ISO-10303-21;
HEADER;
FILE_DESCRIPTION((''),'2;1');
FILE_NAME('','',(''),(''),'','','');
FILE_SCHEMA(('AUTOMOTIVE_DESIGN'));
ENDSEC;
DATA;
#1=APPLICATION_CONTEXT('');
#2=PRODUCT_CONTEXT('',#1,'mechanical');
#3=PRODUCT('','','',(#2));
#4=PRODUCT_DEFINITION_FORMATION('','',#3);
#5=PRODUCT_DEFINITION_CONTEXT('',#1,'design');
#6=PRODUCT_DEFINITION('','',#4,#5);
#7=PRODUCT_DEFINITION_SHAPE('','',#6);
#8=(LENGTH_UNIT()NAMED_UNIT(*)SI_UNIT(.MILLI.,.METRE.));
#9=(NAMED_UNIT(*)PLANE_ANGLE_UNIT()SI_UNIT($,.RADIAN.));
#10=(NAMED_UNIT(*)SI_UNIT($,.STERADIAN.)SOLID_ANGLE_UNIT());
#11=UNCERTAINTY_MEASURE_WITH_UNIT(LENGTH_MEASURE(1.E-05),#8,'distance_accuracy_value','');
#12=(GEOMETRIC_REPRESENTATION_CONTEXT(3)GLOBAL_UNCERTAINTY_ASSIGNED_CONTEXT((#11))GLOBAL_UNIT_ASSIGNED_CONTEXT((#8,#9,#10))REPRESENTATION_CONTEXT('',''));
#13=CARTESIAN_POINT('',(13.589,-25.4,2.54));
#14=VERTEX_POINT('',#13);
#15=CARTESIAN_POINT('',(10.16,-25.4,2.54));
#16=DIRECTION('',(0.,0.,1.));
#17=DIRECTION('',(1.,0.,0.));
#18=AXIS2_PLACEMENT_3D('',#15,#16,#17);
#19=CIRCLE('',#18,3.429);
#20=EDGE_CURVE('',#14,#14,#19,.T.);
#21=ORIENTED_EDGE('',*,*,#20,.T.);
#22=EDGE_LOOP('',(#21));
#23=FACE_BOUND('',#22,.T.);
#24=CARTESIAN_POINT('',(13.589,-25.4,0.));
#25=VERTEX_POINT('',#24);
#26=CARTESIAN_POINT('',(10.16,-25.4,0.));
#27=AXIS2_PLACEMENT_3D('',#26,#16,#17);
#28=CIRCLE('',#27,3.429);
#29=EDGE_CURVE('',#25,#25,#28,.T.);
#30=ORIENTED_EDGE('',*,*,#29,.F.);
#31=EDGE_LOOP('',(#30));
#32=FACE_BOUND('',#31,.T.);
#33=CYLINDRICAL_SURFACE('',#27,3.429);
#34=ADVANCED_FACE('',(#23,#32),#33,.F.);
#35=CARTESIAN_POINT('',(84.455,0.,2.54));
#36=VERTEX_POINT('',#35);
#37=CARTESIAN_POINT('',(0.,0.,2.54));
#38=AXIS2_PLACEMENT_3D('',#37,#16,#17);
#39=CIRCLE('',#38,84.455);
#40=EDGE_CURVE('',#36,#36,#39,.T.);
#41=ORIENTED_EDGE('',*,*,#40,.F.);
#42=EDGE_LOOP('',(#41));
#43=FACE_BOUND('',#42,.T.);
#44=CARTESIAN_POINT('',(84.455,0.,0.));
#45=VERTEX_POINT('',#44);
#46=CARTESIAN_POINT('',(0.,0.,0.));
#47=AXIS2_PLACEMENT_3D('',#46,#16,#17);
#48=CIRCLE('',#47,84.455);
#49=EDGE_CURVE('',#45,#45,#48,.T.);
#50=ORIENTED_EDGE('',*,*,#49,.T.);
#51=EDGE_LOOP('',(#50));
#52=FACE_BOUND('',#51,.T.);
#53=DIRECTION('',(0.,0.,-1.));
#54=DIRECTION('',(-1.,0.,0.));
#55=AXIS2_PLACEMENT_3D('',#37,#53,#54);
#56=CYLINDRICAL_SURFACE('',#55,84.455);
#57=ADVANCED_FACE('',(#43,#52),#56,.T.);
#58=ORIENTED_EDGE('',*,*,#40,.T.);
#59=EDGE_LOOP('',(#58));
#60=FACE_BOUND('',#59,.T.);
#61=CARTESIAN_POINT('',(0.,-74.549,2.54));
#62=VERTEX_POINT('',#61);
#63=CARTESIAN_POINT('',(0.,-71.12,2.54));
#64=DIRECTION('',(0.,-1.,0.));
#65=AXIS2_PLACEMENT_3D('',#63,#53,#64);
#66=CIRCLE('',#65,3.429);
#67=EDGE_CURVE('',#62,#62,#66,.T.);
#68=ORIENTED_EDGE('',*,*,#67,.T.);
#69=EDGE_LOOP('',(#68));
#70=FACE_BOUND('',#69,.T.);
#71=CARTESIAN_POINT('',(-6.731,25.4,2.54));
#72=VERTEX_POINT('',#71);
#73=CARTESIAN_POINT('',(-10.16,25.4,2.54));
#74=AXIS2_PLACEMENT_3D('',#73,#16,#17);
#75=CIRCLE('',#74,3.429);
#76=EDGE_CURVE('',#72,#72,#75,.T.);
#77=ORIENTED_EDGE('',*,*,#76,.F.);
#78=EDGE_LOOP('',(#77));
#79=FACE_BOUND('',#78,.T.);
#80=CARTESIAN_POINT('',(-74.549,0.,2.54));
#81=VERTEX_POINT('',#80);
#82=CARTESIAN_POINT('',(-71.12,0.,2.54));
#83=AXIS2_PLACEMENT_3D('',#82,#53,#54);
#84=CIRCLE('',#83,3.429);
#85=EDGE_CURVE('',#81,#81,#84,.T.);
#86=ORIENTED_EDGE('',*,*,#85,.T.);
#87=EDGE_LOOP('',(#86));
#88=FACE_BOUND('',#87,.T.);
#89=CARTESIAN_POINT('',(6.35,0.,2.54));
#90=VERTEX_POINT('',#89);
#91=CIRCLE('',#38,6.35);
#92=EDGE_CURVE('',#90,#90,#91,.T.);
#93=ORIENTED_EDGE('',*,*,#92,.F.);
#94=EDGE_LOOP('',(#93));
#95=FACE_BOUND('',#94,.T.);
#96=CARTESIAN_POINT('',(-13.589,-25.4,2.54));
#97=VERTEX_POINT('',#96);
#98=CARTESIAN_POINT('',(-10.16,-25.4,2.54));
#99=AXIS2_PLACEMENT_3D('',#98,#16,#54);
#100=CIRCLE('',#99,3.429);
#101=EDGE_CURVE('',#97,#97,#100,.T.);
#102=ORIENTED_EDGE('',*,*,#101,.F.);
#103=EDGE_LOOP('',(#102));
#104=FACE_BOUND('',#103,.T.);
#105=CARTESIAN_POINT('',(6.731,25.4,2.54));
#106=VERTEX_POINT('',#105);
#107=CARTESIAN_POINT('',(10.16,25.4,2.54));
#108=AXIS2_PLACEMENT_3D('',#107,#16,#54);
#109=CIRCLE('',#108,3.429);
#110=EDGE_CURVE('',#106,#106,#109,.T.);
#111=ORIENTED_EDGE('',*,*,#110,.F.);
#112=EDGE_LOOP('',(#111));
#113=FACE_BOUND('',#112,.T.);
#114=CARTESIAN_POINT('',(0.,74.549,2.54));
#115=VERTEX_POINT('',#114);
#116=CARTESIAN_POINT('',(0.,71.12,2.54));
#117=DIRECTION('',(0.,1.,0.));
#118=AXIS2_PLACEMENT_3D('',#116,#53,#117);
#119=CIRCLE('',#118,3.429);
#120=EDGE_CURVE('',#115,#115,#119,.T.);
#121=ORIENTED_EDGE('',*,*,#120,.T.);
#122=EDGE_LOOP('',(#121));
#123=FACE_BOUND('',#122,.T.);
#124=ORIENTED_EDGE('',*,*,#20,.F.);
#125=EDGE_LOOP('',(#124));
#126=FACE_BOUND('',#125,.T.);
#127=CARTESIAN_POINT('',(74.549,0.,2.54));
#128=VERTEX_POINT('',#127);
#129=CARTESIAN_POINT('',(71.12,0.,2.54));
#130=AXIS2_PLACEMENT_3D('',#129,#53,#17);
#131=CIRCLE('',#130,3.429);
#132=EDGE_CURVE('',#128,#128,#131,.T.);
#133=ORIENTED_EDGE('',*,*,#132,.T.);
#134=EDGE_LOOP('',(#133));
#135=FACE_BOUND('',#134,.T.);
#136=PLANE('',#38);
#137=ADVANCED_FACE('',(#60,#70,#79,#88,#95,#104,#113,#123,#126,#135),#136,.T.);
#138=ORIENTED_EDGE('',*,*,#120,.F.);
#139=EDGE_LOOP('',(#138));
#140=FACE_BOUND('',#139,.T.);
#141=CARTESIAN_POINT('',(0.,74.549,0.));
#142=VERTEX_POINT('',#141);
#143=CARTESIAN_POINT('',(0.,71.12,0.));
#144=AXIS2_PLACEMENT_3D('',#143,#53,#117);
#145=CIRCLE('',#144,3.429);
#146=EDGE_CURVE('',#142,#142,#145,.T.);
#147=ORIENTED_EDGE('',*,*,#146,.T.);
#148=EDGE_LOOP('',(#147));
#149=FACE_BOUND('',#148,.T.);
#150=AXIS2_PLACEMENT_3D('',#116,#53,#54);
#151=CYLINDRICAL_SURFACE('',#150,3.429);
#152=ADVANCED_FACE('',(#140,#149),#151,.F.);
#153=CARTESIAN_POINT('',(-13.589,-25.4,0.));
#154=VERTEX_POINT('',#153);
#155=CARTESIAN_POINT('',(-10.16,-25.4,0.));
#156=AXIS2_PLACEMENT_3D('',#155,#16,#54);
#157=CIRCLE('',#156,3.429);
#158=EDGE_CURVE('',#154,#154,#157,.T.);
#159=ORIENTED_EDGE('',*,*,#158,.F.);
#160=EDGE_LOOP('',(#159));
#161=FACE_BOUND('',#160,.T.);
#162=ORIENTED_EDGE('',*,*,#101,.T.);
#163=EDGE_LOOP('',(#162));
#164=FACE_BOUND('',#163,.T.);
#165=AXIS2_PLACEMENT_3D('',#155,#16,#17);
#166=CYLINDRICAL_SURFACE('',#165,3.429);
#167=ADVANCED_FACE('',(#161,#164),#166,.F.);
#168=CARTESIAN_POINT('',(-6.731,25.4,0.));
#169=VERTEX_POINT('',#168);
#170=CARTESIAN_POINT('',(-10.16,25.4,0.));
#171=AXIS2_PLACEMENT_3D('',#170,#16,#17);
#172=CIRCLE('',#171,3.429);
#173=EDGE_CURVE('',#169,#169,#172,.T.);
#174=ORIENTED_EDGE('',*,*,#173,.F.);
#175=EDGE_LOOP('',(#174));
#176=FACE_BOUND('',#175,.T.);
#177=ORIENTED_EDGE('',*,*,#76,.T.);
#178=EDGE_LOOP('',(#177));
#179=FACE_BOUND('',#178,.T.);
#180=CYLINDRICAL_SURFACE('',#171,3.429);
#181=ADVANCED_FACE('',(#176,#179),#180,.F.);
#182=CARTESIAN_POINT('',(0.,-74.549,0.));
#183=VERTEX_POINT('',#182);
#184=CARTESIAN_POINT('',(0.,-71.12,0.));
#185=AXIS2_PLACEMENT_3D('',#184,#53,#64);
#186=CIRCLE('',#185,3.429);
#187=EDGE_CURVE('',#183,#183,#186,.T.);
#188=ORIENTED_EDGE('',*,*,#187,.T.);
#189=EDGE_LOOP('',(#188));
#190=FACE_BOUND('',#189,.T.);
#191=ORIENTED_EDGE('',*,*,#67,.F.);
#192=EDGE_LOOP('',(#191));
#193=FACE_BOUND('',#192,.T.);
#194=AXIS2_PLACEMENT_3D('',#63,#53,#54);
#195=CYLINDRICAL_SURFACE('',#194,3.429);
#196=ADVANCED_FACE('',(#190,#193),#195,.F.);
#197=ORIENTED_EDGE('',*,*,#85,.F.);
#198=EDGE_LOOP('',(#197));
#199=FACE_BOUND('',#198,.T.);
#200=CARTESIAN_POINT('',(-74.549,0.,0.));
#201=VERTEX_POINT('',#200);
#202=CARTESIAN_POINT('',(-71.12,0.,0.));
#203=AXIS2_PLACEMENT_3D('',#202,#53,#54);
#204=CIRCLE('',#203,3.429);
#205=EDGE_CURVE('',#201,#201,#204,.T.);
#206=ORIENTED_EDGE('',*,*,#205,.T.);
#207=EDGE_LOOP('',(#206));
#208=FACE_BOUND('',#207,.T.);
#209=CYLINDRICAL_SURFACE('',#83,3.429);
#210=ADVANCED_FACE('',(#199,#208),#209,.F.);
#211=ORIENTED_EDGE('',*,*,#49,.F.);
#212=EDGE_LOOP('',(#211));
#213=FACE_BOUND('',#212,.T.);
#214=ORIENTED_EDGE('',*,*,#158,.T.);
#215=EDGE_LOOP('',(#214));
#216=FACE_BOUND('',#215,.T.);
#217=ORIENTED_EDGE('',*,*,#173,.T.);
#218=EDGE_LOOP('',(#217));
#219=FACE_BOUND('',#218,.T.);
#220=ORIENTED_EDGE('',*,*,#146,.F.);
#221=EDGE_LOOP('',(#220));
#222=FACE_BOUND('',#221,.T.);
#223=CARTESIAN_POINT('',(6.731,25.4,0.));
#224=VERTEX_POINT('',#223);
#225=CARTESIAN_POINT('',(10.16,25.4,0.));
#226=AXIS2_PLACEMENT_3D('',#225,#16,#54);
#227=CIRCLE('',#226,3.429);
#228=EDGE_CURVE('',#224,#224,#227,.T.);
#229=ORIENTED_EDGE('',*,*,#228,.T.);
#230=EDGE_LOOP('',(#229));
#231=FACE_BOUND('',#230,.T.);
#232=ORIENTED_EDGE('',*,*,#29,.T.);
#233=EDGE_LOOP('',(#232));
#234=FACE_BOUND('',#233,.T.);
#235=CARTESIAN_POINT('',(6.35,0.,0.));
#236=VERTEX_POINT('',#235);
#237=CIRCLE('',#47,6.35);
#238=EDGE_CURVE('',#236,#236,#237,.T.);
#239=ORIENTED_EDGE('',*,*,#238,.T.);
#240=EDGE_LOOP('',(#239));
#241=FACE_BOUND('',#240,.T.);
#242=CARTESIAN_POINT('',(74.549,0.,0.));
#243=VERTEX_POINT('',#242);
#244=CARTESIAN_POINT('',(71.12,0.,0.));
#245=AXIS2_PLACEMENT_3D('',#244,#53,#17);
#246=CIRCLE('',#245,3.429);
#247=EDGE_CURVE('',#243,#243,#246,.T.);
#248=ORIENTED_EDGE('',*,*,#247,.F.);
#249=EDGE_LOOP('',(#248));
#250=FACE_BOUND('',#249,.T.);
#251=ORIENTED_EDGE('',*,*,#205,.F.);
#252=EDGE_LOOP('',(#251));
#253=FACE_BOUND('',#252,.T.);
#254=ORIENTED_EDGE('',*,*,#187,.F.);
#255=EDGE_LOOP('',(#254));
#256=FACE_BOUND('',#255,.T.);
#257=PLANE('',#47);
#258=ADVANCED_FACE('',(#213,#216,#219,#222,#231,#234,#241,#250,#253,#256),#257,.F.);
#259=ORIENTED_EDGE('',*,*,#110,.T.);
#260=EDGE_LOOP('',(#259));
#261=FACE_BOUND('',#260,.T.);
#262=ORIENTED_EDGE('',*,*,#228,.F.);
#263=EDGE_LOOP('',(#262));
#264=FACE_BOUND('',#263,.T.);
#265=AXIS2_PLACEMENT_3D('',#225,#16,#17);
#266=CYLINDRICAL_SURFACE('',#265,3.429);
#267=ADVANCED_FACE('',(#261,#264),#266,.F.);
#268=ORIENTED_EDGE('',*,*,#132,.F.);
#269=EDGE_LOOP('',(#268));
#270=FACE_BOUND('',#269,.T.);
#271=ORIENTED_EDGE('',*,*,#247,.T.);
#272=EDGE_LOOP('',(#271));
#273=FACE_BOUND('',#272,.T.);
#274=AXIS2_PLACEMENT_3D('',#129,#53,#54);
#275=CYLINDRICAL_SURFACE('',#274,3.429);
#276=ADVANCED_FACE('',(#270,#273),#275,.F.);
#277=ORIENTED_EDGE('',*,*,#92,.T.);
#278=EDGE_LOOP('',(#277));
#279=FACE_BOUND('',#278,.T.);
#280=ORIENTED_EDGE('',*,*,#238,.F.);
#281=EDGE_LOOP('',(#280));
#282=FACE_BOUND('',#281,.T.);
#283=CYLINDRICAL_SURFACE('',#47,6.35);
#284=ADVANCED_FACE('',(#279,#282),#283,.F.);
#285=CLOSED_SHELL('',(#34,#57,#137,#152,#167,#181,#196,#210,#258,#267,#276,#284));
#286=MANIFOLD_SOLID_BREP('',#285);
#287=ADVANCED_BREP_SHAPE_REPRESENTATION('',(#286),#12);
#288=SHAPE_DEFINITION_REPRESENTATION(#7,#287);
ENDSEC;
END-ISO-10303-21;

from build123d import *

# Parameters (mm, degrees)
SKETCH1_R           = 84.455
BOSS_EXTRUDE1_DEPTH = 2.54
SKETCH2_R           = 3.429
CUT_EXTRUDE1_DEPTH  = 2.54
SKETCH3_R           = 6.35
CUT_EXTRUDE2_DEPTH  = 2.54
SKETCH4_R           = 3.429
CUT_EXTRUDE3_DEPTH  = 120.464411646
CIRPATTERN1_COUNT   = 4


with BuildPart() as part:
    # Sketch1 → Boss-Extrude1 (new body)
    with BuildSketch(Plane.XY):
        Circle(SKETCH1_R)
    extrude(amount=BOSS_EXTRUDE1_DEPTH)

    # Sketch2 → Cut-Extrude1 (cut)
    with BuildSketch(Plane.XY.offset(2.54)):
        with Locations((-10.16, 25.4)):
            Circle(SKETCH2_R)
        with Locations(Location((10.16, 25.4, 0), (0, 0, 180))):
            Circle(SKETCH2_R)
        with Locations((10.16, -25.4)):
            Circle(SKETCH2_R)
        with Locations(Location((-10.16, -25.4, 0), (0, 0, 180))):
            Circle(SKETCH2_R)
    extrude(amount=-CUT_EXTRUDE1_DEPTH, mode=Mode.SUBTRACT)

    # Sketch3 → Cut-Extrude2 (cut)
    with BuildSketch(Plane.XY.offset(2.54)):
        Circle(SKETCH3_R)
    extrude(amount=-CUT_EXTRUDE2_DEPTH, mode=Mode.SUBTRACT)

    # Sketch4 → Cut-Extrude3 (cut, through all)
    with BuildSketch(Plane(origin=(0, 0, 0), x_dir=(-1, 0, 0), z_dir=(0, 0, -1))):
        with Locations((71.12, 0)):
            Circle(SKETCH4_R)
    cut_extrude3 = extrude(amount=-CUT_EXTRUDE3_DEPTH, mode=Mode.SUBTRACT)

    # CirPattern1: Cut-Extrude3 ×4 about axis
    cirpattern1_axis = Axis((0, 0, 0), (0, 0, 1))
    for i in range(1, CIRPATTERN1_COUNT):
        add(cut_extrude3.rotate(cirpattern1_axis, i * 360 / CIRPATTERN1_COUNT), mode=Mode.SUBTRACT)


solid = part.part
